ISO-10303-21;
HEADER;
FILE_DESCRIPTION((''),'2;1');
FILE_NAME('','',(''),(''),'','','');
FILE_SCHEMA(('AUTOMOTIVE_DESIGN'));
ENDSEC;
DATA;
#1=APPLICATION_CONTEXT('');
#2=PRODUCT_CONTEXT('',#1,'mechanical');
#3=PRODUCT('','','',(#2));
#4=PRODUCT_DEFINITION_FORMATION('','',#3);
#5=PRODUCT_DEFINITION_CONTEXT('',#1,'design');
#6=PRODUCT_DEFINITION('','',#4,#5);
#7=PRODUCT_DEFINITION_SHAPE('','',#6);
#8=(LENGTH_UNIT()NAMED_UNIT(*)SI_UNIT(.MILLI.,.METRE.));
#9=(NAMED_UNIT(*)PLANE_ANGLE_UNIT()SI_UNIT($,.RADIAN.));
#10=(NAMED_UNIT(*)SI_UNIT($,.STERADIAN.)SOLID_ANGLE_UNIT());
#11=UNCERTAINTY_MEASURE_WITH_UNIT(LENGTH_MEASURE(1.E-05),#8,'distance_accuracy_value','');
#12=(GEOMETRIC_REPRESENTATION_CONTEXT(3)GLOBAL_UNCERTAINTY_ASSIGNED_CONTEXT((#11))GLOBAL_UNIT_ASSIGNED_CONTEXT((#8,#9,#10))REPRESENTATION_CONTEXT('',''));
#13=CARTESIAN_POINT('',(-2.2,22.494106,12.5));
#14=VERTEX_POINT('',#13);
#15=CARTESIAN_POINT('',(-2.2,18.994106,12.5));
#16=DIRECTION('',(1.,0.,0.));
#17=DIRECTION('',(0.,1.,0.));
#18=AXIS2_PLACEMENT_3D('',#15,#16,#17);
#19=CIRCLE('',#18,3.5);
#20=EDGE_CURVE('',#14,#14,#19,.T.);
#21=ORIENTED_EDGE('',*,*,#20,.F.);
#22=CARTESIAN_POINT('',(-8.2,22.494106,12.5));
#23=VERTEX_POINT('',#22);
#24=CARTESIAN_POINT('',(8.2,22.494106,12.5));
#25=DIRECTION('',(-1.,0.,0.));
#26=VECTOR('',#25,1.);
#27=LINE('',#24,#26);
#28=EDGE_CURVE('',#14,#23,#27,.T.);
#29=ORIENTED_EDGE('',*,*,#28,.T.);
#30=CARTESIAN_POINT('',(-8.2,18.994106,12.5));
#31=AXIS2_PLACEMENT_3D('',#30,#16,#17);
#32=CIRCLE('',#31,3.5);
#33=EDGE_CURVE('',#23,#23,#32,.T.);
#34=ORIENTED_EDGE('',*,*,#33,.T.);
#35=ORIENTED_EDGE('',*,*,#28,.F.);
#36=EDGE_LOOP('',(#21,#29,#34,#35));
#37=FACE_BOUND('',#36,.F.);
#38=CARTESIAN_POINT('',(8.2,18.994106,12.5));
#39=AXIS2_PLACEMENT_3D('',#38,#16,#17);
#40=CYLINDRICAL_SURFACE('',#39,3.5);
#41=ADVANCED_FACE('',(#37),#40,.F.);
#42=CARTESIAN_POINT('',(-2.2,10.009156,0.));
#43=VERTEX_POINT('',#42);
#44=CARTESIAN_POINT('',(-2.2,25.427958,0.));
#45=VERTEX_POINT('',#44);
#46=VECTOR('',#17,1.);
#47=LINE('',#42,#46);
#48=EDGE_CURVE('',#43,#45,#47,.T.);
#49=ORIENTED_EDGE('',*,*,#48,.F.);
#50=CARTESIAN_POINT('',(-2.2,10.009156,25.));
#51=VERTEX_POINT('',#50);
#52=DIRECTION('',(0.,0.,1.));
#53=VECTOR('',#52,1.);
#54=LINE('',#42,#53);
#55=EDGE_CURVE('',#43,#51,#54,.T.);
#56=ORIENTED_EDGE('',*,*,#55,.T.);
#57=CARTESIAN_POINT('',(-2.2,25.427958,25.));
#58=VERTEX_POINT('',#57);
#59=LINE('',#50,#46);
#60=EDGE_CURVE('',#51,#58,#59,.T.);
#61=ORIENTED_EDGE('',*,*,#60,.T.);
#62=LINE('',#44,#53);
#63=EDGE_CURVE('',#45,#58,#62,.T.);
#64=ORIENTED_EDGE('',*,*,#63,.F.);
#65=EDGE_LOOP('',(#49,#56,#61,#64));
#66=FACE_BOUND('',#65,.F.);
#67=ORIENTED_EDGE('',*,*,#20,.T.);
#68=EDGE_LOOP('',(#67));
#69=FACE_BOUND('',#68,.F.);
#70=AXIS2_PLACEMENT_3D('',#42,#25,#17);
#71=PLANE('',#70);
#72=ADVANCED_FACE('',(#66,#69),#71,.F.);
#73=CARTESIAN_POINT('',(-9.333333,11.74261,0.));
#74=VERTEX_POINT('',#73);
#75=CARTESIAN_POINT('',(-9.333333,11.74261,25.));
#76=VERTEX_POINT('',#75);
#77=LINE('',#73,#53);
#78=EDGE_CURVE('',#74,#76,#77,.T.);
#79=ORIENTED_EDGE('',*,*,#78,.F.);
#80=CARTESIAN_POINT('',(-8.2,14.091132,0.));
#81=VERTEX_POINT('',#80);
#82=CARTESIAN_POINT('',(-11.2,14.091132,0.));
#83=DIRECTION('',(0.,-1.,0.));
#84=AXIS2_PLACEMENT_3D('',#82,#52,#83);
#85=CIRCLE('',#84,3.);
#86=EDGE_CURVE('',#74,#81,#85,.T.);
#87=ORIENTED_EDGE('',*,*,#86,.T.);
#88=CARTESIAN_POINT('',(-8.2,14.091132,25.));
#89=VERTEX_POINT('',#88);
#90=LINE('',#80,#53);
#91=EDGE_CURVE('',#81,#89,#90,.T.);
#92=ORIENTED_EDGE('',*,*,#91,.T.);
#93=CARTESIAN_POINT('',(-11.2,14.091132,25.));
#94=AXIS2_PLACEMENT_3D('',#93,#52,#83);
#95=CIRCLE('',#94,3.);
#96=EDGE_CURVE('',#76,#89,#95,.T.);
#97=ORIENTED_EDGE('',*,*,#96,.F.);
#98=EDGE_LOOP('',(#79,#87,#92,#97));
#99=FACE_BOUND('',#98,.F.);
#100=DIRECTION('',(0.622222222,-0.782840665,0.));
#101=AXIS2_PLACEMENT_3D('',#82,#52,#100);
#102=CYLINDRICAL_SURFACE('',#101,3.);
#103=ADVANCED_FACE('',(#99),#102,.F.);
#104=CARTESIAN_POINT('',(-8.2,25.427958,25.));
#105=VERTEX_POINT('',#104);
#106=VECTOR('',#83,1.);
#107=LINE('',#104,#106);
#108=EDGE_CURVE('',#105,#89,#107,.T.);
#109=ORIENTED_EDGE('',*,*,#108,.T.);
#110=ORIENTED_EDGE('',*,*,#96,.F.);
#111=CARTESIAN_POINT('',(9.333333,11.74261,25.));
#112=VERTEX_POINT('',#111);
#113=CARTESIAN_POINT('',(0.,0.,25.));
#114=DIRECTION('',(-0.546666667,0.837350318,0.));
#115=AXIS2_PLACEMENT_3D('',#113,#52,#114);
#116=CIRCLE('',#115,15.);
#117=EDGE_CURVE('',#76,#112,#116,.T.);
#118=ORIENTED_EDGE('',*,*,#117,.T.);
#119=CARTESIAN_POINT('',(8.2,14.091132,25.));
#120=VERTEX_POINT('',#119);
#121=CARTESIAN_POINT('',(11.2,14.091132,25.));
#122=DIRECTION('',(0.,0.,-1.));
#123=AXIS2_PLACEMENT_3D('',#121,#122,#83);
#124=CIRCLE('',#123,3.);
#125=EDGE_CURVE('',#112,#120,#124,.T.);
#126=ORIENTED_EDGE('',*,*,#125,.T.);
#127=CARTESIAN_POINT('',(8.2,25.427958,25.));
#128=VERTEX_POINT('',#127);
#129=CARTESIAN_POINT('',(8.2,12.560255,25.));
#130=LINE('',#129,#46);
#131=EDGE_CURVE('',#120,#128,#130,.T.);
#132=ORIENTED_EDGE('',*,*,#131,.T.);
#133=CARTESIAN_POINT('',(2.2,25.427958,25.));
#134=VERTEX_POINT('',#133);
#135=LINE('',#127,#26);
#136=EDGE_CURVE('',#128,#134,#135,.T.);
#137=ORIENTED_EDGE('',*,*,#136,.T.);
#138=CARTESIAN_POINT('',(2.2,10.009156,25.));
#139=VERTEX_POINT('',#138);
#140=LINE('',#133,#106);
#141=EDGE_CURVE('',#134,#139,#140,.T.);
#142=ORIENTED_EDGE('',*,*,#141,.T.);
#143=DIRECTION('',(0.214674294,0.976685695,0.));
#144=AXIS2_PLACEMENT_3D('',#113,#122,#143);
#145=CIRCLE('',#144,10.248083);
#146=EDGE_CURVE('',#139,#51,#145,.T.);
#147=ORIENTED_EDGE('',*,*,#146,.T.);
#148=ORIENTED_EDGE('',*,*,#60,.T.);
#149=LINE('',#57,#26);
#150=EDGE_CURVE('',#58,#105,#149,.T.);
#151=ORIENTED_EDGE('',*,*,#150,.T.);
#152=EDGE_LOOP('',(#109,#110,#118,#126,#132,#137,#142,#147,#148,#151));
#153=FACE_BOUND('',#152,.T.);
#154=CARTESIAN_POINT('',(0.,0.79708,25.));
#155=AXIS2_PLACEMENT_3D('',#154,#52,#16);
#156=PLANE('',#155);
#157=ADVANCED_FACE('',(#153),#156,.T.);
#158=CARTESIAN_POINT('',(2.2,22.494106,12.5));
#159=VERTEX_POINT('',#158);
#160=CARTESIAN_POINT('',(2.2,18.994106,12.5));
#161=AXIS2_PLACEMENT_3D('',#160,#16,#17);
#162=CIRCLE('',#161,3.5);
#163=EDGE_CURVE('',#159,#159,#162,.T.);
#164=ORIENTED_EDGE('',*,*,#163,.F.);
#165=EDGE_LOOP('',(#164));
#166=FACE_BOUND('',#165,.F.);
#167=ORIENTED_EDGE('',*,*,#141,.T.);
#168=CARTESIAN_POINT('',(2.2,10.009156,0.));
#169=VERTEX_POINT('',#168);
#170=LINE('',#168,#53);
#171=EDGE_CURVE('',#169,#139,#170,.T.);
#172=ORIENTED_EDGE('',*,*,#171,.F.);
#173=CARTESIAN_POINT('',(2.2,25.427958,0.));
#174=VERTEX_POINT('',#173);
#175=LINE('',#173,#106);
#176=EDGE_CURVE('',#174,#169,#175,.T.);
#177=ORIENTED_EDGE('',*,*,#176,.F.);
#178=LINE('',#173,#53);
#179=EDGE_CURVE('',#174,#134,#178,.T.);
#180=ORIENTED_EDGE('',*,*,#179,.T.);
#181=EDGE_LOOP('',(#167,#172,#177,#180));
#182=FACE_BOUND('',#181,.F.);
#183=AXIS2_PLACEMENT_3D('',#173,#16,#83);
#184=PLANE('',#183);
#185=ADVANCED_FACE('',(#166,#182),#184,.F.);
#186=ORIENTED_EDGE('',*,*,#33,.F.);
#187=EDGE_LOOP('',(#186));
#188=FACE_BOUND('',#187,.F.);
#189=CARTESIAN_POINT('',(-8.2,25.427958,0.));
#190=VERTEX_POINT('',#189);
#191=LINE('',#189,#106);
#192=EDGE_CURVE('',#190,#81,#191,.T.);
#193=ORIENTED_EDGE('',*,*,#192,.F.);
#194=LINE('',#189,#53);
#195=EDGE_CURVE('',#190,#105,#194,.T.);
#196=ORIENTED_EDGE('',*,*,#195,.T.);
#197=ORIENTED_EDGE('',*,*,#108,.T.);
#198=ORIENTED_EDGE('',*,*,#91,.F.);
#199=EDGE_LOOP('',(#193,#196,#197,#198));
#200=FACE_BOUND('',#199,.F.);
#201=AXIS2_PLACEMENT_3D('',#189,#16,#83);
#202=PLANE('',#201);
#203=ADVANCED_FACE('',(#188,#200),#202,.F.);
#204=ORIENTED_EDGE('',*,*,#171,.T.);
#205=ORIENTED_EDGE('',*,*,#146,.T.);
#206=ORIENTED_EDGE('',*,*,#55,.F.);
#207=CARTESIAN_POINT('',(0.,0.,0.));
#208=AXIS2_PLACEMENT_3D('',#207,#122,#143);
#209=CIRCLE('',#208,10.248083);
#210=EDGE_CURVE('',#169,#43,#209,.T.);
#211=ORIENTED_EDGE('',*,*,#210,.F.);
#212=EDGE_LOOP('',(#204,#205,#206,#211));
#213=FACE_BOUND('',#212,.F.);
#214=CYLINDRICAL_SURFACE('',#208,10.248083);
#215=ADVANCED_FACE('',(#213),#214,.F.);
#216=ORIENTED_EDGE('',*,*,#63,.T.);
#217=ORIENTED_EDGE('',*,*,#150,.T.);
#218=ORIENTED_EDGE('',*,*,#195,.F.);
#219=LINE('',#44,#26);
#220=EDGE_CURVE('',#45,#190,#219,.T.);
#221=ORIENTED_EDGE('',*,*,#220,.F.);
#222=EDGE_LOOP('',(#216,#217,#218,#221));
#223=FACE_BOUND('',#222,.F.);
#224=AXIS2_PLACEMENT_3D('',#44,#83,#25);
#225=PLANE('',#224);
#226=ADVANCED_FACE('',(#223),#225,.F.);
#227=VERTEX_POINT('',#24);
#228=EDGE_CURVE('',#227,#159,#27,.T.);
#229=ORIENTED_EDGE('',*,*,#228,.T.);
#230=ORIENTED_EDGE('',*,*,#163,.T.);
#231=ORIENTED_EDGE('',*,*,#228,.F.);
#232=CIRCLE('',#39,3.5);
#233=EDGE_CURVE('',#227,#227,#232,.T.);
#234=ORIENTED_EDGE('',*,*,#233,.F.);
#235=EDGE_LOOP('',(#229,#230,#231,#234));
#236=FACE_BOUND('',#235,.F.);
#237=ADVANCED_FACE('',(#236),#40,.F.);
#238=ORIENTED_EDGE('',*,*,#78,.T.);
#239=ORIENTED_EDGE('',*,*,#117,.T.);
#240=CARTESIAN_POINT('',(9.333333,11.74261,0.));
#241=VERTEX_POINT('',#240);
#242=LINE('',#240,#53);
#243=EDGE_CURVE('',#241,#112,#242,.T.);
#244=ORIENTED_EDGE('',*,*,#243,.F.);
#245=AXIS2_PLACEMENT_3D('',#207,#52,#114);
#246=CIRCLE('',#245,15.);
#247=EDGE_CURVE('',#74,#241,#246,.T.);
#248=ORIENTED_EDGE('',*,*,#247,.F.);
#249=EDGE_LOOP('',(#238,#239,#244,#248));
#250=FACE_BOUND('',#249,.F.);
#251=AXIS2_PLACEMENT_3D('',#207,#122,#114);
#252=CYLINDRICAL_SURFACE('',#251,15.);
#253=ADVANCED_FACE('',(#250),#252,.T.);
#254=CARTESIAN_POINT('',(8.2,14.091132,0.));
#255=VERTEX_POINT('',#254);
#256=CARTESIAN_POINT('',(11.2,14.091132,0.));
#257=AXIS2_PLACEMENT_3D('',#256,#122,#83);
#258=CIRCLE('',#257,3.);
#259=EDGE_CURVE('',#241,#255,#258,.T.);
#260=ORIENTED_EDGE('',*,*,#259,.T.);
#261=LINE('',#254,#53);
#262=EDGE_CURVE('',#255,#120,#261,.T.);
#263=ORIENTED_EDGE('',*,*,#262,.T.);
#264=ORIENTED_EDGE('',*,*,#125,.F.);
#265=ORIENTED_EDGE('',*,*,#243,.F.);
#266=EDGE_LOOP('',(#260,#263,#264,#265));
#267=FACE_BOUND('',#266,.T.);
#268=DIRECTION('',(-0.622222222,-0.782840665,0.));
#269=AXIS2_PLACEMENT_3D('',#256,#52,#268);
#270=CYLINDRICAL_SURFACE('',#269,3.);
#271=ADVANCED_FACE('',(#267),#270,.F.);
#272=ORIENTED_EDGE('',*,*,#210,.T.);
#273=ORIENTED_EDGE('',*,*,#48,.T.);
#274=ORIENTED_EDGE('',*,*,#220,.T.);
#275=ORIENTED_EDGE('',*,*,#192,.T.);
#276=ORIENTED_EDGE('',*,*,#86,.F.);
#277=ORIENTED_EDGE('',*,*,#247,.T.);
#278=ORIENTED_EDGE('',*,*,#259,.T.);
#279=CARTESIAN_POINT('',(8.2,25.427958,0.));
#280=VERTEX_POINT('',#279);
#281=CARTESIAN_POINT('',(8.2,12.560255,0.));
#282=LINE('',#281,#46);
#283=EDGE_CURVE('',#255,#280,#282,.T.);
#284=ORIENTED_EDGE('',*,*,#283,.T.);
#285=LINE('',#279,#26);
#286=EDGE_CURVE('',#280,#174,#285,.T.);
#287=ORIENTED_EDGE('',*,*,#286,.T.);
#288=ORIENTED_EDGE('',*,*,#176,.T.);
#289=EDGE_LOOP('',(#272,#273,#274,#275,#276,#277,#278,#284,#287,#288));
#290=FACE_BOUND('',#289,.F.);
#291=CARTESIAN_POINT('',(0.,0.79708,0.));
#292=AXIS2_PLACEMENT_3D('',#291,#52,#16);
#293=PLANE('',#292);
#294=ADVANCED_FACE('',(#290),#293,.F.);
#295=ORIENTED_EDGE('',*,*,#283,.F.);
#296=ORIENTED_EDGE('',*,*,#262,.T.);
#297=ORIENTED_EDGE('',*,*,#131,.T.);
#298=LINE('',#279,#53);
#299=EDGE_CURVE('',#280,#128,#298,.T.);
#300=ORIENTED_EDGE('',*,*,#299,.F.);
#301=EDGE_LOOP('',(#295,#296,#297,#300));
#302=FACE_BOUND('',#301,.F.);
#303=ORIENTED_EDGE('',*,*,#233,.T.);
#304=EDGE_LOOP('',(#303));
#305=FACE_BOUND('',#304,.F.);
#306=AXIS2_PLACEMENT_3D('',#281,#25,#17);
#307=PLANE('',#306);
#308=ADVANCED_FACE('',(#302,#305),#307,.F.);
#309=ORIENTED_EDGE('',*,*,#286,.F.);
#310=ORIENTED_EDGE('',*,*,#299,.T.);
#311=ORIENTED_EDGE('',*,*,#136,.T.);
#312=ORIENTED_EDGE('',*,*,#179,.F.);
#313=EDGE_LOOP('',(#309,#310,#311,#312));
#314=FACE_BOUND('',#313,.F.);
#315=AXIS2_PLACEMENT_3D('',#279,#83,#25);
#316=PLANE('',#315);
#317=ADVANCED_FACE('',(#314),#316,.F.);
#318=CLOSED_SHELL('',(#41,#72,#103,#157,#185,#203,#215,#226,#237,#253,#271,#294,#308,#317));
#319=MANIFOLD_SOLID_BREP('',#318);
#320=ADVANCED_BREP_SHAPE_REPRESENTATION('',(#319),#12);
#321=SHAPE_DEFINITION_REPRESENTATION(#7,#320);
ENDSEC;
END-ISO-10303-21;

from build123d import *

# Parameters (mm, degrees)
F1_DEPTH = 25
F2_R     = 3.5
F3_DEPTH = 25
F4_R     = 3


with BuildPart() as f1:
    # F0 (on Top) → F1 (new body)
    with BuildSketch(Plane.XY):
        with BuildLine():
            ThreePointArc((-8.2, 12.5602547745), (-7.1414284285, -13.1909059583), (15, 0))
            ThreePointArc((15, 0), (13.1909059583, 7.1414284285), (8.2, 12.5602547745))
            ThreePointArc((8.2, 12.5602547745), (5.3232312755, 14.0236660253), (2.2, 14.8377895928))
            Line((2.2, 14.8377895928), (2.2, 10.0091561408))
            ThreePointArc((2.2, 10.0091561408), (7.9865195614, 6.4217374554), (10.248083072, 0))
            ThreePointArc((10.248083072, 0), (-6.4217374554, -7.9865195614), (-2.2, 10.0091561408))
            Line((-2.2, 10.0091561408), (-2.2, 14.8377895928))
            ThreePointArc((-2.2, 14.8377895928), (-5.3232312755, 14.0236660253), (-8.2, 12.5602547745))
        make_face()
        with BuildLine():
            Line((-8.2, 25.4279577023), (-8.2, 12.5602547745))
            ThreePointArc((-8.2, 12.5602547745), (-5.3232312755, 14.0236660253), (-2.2, 14.8377895928))
            Line((-2.2, 14.8377895928), (-2.2, 25.4279577023))
            Line((-2.2, 25.4279577023), (-8.2, 25.4279577023))
        make_face()
        with BuildLine():
            ThreePointArc((2.2, 14.8377895928), (5.3232312755, 14.0236660253), (8.2, 12.5602547745))
            Line((8.2, 12.5602547745), (8.2, 25.4279577023))
            Line((8.2, 25.4279577023), (2.2, 25.4279577023))
            Line((2.2, 25.4279577023), (2.2, 14.8377895928))
        make_face()
    extrude(amount=F1_DEPTH)

    # F2 (on face) → F3 (cut)
    with BuildSketch(Plane.YZ.offset(8.2)):
        with Locations((18.9941062384, 12.5)):
            Circle(F2_R)
    extrude(amount=-F3_DEPTH, mode=Mode.SUBTRACT)

    # F4
    f4_edges = [f1.edges().sort_by_distance(p)[0] for p in [
        (8.2, 12.560255, 12.5),
        (-8.2, 12.560255, 12.5),
    ]]
    fillet(f4_edges, radius=F4_R)


solid = f1.part
